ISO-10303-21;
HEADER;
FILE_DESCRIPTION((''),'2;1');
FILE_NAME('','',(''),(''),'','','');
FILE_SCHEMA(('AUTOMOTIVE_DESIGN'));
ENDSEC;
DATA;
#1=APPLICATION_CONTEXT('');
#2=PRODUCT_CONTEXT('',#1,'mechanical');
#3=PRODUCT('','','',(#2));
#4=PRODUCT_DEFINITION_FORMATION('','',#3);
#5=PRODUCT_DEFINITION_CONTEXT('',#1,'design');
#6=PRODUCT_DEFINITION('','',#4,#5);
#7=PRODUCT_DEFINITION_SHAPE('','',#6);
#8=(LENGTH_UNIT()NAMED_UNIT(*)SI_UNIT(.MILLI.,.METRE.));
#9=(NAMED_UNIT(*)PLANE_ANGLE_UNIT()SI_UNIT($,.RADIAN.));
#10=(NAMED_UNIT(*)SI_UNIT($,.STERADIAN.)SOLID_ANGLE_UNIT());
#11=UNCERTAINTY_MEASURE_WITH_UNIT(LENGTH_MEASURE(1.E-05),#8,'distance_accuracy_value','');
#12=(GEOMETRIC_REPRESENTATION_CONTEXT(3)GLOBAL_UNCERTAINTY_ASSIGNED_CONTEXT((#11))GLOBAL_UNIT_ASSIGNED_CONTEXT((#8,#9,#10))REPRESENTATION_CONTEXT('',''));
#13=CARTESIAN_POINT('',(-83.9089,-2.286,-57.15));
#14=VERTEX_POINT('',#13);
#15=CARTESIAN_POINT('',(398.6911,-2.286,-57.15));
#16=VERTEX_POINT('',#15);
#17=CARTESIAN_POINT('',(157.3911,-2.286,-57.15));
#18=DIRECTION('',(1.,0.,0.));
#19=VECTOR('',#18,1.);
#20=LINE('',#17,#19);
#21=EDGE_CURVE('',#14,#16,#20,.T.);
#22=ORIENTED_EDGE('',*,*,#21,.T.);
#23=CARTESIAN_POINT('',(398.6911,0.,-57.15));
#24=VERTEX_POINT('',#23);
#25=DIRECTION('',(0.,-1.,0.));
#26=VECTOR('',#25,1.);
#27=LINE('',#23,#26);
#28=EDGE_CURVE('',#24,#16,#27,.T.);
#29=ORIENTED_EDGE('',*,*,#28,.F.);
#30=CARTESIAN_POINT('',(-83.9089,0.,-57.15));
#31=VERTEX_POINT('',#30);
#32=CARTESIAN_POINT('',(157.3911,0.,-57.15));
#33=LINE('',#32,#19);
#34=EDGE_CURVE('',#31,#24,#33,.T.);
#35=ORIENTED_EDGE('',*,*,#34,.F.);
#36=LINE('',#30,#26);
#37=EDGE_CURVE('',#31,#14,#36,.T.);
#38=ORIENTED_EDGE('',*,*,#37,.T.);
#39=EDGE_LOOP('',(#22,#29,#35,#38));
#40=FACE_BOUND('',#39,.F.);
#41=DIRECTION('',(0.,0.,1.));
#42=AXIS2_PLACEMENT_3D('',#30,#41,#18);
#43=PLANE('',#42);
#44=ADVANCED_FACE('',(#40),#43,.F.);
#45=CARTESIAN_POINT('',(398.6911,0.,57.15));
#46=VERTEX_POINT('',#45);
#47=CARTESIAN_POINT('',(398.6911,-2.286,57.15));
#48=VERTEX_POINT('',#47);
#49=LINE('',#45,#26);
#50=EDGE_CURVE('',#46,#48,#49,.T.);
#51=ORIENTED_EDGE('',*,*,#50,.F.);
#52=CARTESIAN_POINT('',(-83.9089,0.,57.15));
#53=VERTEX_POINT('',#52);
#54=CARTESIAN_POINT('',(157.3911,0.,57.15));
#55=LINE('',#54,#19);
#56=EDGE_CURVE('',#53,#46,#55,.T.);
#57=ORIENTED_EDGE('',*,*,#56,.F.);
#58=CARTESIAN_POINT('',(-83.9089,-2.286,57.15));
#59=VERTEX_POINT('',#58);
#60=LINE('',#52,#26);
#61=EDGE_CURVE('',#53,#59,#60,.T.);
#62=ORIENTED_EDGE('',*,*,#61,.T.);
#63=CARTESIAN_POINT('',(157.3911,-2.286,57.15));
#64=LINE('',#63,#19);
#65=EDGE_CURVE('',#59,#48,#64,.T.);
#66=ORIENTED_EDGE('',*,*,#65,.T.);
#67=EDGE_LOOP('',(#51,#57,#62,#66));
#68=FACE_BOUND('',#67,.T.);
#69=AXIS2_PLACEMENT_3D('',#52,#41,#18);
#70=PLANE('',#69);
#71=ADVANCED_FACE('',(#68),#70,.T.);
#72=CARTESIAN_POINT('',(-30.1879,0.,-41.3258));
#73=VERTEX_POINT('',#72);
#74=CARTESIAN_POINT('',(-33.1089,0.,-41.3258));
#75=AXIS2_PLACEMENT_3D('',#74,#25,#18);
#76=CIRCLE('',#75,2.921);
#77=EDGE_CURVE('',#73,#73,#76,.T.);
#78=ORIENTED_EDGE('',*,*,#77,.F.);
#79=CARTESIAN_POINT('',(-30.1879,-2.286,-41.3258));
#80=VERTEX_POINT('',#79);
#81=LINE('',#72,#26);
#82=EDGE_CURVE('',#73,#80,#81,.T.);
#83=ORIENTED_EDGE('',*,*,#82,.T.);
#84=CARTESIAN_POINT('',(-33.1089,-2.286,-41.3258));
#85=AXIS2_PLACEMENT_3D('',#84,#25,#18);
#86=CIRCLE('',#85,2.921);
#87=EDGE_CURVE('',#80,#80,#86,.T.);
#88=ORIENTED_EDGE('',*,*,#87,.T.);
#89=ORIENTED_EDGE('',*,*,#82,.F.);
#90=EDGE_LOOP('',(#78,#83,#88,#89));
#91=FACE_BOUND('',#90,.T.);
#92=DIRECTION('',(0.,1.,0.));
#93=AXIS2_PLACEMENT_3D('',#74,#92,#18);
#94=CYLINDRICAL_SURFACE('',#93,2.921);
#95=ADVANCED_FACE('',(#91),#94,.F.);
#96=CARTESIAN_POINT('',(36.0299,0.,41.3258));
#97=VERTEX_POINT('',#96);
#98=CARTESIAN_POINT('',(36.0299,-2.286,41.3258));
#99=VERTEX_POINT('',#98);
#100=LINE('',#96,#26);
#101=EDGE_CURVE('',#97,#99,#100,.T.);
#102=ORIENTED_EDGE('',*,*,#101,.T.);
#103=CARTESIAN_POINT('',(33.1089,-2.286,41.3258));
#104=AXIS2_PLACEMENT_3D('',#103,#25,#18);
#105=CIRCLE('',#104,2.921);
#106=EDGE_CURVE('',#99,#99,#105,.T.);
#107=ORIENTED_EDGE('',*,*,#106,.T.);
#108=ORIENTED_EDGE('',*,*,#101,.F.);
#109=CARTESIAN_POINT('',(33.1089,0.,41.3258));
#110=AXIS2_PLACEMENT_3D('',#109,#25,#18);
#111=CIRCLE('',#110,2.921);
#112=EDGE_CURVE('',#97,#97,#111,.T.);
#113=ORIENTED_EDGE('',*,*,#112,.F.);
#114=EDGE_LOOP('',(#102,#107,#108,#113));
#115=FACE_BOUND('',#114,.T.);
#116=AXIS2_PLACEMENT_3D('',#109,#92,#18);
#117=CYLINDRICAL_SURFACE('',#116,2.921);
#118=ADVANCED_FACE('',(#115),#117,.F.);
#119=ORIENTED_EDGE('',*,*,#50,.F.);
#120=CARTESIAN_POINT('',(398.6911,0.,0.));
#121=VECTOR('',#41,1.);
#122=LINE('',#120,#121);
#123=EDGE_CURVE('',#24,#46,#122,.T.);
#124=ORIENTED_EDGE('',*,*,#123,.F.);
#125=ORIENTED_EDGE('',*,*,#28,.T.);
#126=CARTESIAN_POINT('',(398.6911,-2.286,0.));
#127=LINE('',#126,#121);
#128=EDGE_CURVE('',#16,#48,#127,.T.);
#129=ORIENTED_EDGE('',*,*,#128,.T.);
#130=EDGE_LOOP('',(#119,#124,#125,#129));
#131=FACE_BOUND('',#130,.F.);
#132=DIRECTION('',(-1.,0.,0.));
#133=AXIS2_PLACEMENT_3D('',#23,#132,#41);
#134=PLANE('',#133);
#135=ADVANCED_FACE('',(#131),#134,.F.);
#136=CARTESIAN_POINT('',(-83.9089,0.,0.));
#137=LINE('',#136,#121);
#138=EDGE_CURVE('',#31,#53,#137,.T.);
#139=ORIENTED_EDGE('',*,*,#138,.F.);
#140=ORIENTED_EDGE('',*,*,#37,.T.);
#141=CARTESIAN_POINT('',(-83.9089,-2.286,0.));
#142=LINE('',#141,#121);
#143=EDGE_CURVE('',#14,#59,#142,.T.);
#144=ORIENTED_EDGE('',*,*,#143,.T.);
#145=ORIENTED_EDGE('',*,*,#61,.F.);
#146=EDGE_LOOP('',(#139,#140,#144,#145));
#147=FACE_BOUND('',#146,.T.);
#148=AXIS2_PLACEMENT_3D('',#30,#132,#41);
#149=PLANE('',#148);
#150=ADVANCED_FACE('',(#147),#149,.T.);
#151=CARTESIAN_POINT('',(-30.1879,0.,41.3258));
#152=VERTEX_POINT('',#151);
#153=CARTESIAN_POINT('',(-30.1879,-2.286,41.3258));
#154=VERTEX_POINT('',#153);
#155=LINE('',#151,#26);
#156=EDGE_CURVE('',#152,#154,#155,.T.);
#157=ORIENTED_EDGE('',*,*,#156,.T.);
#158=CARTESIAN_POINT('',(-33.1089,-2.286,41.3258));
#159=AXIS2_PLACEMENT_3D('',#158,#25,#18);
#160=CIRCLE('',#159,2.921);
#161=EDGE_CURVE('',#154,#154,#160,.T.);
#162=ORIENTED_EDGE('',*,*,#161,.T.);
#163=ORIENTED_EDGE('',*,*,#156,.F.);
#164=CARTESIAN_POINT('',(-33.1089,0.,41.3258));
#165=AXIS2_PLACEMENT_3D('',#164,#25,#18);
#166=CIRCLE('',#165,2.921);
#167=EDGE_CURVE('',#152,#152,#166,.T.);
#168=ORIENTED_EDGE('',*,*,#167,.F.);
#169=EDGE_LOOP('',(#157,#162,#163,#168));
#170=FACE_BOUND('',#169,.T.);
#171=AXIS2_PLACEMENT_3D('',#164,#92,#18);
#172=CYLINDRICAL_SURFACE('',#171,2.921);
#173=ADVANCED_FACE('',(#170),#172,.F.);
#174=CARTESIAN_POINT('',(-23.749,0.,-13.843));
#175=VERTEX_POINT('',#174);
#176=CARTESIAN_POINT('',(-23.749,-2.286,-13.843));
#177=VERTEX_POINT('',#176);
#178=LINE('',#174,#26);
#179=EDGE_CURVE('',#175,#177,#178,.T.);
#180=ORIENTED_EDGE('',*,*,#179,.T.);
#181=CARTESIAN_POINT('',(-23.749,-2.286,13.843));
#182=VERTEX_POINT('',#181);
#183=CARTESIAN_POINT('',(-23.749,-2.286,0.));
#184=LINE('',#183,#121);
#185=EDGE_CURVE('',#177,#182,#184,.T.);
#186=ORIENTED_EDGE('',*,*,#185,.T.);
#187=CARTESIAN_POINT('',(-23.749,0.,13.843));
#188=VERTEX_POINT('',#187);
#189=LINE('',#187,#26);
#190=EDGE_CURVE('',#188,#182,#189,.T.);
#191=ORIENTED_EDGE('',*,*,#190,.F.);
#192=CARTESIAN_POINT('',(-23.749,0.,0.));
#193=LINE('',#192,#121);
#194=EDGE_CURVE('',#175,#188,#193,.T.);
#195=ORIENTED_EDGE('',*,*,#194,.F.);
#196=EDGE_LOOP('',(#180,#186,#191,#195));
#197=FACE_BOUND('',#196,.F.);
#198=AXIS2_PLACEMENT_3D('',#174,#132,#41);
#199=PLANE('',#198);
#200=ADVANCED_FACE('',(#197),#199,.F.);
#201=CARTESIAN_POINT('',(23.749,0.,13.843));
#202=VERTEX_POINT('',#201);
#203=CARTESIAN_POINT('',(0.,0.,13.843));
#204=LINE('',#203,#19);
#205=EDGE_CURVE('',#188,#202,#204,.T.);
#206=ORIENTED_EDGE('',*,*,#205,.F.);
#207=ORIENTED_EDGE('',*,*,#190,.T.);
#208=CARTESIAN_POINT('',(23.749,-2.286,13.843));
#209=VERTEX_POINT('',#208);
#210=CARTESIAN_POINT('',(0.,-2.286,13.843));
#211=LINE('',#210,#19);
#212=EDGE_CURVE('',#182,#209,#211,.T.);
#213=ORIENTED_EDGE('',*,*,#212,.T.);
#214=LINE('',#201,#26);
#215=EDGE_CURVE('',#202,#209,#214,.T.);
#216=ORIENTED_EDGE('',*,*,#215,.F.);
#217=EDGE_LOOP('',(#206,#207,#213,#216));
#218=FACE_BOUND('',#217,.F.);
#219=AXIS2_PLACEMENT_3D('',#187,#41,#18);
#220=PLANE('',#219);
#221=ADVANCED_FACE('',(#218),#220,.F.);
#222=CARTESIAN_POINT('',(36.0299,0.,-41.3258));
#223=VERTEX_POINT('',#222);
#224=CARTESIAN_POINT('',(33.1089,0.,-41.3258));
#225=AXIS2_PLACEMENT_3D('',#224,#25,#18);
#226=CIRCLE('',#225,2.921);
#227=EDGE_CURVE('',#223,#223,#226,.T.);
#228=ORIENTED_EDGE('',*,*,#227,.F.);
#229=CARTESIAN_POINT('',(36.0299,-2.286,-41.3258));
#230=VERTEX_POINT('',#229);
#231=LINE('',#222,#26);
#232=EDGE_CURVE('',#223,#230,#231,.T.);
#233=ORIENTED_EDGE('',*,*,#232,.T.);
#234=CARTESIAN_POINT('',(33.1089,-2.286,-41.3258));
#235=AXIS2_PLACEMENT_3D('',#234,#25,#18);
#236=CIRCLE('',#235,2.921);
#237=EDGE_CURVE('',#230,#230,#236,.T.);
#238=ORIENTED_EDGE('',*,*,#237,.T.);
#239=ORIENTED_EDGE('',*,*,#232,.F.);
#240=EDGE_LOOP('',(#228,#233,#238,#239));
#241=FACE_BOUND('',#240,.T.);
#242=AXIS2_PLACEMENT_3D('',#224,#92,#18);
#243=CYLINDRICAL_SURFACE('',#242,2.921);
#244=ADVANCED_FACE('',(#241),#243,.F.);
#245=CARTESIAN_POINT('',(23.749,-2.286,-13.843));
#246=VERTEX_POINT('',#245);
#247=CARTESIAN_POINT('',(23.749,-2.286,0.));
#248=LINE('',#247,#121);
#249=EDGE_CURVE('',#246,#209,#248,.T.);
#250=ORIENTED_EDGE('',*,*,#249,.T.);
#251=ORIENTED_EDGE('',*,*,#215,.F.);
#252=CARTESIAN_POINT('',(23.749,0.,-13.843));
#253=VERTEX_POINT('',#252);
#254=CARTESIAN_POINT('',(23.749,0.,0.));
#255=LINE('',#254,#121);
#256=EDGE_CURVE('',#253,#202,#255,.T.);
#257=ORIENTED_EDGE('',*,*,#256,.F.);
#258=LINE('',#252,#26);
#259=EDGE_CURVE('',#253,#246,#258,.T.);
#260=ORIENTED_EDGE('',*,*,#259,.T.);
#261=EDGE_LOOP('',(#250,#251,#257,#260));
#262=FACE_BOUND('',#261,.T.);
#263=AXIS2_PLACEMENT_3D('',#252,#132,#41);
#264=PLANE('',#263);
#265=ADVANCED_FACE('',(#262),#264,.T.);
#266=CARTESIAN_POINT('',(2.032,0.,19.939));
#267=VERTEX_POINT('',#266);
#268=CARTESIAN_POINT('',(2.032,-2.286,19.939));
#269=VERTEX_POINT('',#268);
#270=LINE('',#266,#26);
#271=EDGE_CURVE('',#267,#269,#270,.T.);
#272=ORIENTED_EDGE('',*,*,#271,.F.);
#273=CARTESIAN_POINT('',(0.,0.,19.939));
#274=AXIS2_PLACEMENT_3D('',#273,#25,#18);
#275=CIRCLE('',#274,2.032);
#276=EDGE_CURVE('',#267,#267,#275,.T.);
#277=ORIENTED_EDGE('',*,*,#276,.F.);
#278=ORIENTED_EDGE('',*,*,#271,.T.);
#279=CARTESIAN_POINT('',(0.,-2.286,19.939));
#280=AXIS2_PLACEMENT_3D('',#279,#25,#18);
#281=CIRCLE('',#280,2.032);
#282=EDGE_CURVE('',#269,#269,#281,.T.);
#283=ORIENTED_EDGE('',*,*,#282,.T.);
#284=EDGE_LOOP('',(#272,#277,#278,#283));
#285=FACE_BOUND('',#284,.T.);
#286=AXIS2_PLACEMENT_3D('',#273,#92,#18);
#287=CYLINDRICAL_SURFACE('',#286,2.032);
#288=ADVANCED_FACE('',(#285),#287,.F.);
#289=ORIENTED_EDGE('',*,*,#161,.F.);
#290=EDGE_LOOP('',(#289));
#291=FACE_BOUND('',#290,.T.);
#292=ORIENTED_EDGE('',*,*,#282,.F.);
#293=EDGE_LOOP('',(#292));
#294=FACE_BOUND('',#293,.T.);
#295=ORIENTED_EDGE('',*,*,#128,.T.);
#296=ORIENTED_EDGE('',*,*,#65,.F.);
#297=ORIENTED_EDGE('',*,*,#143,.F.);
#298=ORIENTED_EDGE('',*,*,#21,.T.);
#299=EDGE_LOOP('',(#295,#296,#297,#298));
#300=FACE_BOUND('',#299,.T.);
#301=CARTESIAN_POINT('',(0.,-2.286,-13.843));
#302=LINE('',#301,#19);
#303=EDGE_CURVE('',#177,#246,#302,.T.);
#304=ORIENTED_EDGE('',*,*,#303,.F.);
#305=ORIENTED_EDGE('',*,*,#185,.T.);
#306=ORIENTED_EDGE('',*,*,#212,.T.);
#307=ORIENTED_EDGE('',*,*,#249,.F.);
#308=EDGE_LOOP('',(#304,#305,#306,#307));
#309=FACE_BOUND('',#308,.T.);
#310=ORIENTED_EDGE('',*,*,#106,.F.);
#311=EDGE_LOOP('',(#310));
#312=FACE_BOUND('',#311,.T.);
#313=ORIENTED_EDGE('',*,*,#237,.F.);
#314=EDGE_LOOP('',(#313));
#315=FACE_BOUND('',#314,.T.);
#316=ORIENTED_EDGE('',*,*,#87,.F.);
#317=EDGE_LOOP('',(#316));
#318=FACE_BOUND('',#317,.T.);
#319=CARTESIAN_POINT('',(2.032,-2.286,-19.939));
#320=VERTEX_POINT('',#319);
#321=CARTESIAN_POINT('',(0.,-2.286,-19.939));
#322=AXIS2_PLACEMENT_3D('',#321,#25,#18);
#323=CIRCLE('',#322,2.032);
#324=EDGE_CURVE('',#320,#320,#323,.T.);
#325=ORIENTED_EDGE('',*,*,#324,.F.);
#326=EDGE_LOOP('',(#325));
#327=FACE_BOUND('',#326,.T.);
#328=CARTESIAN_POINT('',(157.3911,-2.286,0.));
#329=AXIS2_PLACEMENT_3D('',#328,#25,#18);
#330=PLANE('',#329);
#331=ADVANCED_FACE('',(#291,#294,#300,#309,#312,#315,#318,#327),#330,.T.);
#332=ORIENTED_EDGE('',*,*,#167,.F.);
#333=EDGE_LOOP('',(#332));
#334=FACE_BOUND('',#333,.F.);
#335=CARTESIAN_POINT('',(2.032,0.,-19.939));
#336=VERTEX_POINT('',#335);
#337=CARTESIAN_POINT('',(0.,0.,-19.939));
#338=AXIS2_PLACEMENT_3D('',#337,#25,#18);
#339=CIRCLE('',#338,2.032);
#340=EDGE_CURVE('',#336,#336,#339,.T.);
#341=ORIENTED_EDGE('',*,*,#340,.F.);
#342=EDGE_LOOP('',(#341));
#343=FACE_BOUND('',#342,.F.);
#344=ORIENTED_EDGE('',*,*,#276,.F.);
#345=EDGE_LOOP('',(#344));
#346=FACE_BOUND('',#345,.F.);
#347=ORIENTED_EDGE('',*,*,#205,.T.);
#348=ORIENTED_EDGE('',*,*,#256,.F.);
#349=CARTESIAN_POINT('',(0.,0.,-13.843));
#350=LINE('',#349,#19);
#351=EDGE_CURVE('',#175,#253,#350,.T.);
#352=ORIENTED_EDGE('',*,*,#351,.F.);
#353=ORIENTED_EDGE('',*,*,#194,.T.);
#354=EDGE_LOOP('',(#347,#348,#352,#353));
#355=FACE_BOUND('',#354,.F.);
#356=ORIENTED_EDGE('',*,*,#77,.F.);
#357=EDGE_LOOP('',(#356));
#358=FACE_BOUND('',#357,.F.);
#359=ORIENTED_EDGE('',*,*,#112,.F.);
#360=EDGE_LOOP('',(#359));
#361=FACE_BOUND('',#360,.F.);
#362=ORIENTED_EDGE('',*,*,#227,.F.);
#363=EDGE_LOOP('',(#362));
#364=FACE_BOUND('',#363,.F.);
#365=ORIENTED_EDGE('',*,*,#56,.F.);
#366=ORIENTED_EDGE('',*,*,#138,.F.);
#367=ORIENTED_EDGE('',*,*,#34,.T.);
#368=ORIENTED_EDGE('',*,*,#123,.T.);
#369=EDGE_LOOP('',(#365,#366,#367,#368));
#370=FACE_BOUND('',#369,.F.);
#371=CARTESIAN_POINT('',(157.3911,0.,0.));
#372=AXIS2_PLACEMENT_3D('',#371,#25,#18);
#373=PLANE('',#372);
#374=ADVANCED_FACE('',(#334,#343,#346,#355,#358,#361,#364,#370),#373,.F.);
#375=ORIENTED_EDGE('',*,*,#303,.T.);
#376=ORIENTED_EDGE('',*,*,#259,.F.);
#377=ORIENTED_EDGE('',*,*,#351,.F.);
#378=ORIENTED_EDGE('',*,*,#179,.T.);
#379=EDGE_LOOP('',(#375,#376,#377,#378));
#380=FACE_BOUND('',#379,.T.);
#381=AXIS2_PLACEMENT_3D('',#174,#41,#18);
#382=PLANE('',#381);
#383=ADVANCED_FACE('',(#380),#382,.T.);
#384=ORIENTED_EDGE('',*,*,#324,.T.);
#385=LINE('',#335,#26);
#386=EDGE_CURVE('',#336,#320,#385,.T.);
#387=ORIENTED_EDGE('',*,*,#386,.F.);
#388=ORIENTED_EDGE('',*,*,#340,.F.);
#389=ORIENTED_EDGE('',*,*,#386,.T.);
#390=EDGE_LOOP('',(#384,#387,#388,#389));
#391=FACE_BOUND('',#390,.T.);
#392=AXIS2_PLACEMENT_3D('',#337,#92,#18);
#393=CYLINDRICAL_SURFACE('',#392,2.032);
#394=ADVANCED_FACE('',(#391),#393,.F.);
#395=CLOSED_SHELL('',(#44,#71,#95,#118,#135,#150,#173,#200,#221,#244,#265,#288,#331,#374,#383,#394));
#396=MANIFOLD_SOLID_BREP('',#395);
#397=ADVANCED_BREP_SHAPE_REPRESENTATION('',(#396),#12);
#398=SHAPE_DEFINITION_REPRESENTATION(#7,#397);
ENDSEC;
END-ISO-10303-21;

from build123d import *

# Parameters (mm, degrees)
F0_W     = 482.6
F0_H     = 114.3
F0_R     = 2.921
F0_R_2   = 2.032
F0_W_2   = 47.498
F0_H_2   = 27.686
F1_DEPTH = 2.286


with BuildPart() as f1:
    # F0 (on Front) → F1 (new body)
    with BuildSketch(Plane.XZ):
        with Locations((157.3911, 0)):
            Rectangle(F0_W, F0_H)
        with Locations((-33.1089, -41.3258)):
            Circle(F0_R, mode=Mode.SUBTRACT)
        with Locations((33.1089, -41.3258)):
            Circle(F0_R, mode=Mode.SUBTRACT)
        with Locations((0, -19.939)):
            Circle(F0_R_2, mode=Mode.SUBTRACT)
        Rectangle(F0_W_2, F0_H_2, mode=Mode.SUBTRACT)
        with Locations((0, 19.939)):
            Circle(F0_R_2, mode=Mode.SUBTRACT)
        with Locations((-33.1089, 41.3258)):
            Circle(F0_R, mode=Mode.SUBTRACT)
        with Locations((33.1089, 41.3258)):
            Circle(F0_R, mode=Mode.SUBTRACT)
    extrude(amount=F1_DEPTH)


solid = f1.part
